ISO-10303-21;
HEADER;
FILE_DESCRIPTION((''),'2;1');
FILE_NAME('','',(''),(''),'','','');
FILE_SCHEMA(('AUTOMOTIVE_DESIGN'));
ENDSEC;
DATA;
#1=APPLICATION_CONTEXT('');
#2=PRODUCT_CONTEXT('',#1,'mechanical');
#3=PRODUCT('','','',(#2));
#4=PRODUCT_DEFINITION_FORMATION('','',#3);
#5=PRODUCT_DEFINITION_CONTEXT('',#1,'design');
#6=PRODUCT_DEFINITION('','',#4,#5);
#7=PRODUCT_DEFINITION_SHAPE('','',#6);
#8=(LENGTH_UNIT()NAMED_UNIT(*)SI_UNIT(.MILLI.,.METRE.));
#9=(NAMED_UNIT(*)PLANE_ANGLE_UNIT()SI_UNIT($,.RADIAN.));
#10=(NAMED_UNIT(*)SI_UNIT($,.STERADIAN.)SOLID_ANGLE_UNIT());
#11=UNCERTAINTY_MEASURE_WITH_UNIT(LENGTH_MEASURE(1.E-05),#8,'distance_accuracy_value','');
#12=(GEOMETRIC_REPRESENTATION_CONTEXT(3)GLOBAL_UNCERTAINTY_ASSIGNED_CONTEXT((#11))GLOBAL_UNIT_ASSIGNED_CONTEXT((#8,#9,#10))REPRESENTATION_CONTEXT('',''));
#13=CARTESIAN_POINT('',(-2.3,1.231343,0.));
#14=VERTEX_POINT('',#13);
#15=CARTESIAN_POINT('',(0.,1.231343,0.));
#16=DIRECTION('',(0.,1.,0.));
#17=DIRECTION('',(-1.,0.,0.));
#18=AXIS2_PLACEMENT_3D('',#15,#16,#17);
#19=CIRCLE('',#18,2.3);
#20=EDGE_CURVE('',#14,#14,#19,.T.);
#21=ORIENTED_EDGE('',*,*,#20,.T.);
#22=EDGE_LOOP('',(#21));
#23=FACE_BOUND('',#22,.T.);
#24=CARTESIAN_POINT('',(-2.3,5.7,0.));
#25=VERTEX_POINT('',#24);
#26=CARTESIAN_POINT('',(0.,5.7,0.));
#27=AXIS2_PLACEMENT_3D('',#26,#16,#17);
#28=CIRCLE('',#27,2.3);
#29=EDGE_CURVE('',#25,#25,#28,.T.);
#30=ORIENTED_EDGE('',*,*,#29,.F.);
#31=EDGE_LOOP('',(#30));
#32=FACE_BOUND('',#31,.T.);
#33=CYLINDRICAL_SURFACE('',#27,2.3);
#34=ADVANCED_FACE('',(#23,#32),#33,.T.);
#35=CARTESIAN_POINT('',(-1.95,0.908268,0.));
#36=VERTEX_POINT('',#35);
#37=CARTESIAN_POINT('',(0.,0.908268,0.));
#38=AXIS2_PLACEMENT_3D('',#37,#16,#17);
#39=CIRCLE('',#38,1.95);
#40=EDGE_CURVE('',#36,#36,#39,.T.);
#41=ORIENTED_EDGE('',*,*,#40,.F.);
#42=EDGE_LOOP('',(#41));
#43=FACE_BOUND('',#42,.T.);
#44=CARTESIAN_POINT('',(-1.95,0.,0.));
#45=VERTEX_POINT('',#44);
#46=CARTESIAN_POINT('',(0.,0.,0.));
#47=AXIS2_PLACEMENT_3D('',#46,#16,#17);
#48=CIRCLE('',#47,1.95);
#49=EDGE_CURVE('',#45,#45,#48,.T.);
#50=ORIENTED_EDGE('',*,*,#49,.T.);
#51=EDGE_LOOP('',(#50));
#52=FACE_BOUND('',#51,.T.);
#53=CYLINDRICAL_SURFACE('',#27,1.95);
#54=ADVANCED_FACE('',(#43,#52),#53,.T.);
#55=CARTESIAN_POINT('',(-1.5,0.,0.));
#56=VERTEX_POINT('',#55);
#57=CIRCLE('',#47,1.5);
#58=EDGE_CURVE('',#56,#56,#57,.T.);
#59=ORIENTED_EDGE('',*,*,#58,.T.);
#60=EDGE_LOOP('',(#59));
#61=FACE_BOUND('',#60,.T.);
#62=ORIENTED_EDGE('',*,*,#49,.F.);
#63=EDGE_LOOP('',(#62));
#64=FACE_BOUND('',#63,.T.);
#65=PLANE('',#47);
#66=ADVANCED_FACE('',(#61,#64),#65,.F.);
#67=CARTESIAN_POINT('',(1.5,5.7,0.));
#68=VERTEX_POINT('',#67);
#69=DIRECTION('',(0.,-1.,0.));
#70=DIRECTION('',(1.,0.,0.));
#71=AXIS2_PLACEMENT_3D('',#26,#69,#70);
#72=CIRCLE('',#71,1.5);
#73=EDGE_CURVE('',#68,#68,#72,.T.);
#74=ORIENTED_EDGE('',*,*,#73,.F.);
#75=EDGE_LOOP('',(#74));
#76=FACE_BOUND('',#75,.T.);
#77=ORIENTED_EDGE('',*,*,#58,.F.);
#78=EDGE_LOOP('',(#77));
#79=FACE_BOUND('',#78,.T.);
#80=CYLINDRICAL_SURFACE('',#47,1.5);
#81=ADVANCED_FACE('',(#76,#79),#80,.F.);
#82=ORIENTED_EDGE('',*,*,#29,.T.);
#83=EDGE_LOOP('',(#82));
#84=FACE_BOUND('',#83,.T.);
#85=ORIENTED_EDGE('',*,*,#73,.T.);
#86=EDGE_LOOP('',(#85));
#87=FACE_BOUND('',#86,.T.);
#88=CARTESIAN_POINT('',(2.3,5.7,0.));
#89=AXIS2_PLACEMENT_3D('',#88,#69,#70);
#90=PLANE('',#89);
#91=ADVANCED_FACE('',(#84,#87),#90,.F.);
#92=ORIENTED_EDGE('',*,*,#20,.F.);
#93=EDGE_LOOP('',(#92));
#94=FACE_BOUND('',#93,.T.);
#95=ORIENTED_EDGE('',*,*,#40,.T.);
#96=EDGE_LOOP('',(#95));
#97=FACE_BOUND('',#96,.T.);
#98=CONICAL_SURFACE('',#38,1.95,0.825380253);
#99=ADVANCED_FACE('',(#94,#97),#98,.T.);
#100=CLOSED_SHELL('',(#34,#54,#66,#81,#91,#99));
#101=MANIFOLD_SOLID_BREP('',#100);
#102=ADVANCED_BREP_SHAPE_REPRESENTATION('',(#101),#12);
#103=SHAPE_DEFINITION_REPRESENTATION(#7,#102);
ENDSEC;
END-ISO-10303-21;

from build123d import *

# Parameters (mm, degrees)
CUT_EXTRUDE1_DEPTH      = 7.562773804
CUT_EXTRUDE1_DEPTH_BACK = 7.562773804
SKETCH2_R               = 1.5


with BuildPart() as part:
    # Sketch1 → Revolve1 (revolve)
    with BuildSketch(Plane.XY, mode=Mode.PRIVATE) as revolve1_sk:
        Polygon((0, 0), (1.95, 0), (1.95, 0.90826831), (2.3, 1.231343027), (2.3, 5.7), (0, 5.7), align=None)
    revolve(revolve1_sk.sketch.rotate(Axis((0, 5.7, 0), (0, -1, 0)), 180), axis=Axis((0, 5.7, 0), (0, -1, 0)))

    # Sketch2 → Cut-Extrude1 (cut, two sides: drawn at the far end of the back side and taken through both)
    with BuildSketch(Plane(origin=(0, 5.7, 0), x_dir=(1, 0, 0), z_dir=(0, 1, 0)).offset(-CUT_EXTRUDE1_DEPTH_BACK)):
        with Locations(Location((0, 0, 0), (0, 0, 180))):
            Circle(SKETCH2_R)
    extrude(amount=CUT_EXTRUDE1_DEPTH + CUT_EXTRUDE1_DEPTH_BACK, mode=Mode.SUBTRACT)


solid = part.part
